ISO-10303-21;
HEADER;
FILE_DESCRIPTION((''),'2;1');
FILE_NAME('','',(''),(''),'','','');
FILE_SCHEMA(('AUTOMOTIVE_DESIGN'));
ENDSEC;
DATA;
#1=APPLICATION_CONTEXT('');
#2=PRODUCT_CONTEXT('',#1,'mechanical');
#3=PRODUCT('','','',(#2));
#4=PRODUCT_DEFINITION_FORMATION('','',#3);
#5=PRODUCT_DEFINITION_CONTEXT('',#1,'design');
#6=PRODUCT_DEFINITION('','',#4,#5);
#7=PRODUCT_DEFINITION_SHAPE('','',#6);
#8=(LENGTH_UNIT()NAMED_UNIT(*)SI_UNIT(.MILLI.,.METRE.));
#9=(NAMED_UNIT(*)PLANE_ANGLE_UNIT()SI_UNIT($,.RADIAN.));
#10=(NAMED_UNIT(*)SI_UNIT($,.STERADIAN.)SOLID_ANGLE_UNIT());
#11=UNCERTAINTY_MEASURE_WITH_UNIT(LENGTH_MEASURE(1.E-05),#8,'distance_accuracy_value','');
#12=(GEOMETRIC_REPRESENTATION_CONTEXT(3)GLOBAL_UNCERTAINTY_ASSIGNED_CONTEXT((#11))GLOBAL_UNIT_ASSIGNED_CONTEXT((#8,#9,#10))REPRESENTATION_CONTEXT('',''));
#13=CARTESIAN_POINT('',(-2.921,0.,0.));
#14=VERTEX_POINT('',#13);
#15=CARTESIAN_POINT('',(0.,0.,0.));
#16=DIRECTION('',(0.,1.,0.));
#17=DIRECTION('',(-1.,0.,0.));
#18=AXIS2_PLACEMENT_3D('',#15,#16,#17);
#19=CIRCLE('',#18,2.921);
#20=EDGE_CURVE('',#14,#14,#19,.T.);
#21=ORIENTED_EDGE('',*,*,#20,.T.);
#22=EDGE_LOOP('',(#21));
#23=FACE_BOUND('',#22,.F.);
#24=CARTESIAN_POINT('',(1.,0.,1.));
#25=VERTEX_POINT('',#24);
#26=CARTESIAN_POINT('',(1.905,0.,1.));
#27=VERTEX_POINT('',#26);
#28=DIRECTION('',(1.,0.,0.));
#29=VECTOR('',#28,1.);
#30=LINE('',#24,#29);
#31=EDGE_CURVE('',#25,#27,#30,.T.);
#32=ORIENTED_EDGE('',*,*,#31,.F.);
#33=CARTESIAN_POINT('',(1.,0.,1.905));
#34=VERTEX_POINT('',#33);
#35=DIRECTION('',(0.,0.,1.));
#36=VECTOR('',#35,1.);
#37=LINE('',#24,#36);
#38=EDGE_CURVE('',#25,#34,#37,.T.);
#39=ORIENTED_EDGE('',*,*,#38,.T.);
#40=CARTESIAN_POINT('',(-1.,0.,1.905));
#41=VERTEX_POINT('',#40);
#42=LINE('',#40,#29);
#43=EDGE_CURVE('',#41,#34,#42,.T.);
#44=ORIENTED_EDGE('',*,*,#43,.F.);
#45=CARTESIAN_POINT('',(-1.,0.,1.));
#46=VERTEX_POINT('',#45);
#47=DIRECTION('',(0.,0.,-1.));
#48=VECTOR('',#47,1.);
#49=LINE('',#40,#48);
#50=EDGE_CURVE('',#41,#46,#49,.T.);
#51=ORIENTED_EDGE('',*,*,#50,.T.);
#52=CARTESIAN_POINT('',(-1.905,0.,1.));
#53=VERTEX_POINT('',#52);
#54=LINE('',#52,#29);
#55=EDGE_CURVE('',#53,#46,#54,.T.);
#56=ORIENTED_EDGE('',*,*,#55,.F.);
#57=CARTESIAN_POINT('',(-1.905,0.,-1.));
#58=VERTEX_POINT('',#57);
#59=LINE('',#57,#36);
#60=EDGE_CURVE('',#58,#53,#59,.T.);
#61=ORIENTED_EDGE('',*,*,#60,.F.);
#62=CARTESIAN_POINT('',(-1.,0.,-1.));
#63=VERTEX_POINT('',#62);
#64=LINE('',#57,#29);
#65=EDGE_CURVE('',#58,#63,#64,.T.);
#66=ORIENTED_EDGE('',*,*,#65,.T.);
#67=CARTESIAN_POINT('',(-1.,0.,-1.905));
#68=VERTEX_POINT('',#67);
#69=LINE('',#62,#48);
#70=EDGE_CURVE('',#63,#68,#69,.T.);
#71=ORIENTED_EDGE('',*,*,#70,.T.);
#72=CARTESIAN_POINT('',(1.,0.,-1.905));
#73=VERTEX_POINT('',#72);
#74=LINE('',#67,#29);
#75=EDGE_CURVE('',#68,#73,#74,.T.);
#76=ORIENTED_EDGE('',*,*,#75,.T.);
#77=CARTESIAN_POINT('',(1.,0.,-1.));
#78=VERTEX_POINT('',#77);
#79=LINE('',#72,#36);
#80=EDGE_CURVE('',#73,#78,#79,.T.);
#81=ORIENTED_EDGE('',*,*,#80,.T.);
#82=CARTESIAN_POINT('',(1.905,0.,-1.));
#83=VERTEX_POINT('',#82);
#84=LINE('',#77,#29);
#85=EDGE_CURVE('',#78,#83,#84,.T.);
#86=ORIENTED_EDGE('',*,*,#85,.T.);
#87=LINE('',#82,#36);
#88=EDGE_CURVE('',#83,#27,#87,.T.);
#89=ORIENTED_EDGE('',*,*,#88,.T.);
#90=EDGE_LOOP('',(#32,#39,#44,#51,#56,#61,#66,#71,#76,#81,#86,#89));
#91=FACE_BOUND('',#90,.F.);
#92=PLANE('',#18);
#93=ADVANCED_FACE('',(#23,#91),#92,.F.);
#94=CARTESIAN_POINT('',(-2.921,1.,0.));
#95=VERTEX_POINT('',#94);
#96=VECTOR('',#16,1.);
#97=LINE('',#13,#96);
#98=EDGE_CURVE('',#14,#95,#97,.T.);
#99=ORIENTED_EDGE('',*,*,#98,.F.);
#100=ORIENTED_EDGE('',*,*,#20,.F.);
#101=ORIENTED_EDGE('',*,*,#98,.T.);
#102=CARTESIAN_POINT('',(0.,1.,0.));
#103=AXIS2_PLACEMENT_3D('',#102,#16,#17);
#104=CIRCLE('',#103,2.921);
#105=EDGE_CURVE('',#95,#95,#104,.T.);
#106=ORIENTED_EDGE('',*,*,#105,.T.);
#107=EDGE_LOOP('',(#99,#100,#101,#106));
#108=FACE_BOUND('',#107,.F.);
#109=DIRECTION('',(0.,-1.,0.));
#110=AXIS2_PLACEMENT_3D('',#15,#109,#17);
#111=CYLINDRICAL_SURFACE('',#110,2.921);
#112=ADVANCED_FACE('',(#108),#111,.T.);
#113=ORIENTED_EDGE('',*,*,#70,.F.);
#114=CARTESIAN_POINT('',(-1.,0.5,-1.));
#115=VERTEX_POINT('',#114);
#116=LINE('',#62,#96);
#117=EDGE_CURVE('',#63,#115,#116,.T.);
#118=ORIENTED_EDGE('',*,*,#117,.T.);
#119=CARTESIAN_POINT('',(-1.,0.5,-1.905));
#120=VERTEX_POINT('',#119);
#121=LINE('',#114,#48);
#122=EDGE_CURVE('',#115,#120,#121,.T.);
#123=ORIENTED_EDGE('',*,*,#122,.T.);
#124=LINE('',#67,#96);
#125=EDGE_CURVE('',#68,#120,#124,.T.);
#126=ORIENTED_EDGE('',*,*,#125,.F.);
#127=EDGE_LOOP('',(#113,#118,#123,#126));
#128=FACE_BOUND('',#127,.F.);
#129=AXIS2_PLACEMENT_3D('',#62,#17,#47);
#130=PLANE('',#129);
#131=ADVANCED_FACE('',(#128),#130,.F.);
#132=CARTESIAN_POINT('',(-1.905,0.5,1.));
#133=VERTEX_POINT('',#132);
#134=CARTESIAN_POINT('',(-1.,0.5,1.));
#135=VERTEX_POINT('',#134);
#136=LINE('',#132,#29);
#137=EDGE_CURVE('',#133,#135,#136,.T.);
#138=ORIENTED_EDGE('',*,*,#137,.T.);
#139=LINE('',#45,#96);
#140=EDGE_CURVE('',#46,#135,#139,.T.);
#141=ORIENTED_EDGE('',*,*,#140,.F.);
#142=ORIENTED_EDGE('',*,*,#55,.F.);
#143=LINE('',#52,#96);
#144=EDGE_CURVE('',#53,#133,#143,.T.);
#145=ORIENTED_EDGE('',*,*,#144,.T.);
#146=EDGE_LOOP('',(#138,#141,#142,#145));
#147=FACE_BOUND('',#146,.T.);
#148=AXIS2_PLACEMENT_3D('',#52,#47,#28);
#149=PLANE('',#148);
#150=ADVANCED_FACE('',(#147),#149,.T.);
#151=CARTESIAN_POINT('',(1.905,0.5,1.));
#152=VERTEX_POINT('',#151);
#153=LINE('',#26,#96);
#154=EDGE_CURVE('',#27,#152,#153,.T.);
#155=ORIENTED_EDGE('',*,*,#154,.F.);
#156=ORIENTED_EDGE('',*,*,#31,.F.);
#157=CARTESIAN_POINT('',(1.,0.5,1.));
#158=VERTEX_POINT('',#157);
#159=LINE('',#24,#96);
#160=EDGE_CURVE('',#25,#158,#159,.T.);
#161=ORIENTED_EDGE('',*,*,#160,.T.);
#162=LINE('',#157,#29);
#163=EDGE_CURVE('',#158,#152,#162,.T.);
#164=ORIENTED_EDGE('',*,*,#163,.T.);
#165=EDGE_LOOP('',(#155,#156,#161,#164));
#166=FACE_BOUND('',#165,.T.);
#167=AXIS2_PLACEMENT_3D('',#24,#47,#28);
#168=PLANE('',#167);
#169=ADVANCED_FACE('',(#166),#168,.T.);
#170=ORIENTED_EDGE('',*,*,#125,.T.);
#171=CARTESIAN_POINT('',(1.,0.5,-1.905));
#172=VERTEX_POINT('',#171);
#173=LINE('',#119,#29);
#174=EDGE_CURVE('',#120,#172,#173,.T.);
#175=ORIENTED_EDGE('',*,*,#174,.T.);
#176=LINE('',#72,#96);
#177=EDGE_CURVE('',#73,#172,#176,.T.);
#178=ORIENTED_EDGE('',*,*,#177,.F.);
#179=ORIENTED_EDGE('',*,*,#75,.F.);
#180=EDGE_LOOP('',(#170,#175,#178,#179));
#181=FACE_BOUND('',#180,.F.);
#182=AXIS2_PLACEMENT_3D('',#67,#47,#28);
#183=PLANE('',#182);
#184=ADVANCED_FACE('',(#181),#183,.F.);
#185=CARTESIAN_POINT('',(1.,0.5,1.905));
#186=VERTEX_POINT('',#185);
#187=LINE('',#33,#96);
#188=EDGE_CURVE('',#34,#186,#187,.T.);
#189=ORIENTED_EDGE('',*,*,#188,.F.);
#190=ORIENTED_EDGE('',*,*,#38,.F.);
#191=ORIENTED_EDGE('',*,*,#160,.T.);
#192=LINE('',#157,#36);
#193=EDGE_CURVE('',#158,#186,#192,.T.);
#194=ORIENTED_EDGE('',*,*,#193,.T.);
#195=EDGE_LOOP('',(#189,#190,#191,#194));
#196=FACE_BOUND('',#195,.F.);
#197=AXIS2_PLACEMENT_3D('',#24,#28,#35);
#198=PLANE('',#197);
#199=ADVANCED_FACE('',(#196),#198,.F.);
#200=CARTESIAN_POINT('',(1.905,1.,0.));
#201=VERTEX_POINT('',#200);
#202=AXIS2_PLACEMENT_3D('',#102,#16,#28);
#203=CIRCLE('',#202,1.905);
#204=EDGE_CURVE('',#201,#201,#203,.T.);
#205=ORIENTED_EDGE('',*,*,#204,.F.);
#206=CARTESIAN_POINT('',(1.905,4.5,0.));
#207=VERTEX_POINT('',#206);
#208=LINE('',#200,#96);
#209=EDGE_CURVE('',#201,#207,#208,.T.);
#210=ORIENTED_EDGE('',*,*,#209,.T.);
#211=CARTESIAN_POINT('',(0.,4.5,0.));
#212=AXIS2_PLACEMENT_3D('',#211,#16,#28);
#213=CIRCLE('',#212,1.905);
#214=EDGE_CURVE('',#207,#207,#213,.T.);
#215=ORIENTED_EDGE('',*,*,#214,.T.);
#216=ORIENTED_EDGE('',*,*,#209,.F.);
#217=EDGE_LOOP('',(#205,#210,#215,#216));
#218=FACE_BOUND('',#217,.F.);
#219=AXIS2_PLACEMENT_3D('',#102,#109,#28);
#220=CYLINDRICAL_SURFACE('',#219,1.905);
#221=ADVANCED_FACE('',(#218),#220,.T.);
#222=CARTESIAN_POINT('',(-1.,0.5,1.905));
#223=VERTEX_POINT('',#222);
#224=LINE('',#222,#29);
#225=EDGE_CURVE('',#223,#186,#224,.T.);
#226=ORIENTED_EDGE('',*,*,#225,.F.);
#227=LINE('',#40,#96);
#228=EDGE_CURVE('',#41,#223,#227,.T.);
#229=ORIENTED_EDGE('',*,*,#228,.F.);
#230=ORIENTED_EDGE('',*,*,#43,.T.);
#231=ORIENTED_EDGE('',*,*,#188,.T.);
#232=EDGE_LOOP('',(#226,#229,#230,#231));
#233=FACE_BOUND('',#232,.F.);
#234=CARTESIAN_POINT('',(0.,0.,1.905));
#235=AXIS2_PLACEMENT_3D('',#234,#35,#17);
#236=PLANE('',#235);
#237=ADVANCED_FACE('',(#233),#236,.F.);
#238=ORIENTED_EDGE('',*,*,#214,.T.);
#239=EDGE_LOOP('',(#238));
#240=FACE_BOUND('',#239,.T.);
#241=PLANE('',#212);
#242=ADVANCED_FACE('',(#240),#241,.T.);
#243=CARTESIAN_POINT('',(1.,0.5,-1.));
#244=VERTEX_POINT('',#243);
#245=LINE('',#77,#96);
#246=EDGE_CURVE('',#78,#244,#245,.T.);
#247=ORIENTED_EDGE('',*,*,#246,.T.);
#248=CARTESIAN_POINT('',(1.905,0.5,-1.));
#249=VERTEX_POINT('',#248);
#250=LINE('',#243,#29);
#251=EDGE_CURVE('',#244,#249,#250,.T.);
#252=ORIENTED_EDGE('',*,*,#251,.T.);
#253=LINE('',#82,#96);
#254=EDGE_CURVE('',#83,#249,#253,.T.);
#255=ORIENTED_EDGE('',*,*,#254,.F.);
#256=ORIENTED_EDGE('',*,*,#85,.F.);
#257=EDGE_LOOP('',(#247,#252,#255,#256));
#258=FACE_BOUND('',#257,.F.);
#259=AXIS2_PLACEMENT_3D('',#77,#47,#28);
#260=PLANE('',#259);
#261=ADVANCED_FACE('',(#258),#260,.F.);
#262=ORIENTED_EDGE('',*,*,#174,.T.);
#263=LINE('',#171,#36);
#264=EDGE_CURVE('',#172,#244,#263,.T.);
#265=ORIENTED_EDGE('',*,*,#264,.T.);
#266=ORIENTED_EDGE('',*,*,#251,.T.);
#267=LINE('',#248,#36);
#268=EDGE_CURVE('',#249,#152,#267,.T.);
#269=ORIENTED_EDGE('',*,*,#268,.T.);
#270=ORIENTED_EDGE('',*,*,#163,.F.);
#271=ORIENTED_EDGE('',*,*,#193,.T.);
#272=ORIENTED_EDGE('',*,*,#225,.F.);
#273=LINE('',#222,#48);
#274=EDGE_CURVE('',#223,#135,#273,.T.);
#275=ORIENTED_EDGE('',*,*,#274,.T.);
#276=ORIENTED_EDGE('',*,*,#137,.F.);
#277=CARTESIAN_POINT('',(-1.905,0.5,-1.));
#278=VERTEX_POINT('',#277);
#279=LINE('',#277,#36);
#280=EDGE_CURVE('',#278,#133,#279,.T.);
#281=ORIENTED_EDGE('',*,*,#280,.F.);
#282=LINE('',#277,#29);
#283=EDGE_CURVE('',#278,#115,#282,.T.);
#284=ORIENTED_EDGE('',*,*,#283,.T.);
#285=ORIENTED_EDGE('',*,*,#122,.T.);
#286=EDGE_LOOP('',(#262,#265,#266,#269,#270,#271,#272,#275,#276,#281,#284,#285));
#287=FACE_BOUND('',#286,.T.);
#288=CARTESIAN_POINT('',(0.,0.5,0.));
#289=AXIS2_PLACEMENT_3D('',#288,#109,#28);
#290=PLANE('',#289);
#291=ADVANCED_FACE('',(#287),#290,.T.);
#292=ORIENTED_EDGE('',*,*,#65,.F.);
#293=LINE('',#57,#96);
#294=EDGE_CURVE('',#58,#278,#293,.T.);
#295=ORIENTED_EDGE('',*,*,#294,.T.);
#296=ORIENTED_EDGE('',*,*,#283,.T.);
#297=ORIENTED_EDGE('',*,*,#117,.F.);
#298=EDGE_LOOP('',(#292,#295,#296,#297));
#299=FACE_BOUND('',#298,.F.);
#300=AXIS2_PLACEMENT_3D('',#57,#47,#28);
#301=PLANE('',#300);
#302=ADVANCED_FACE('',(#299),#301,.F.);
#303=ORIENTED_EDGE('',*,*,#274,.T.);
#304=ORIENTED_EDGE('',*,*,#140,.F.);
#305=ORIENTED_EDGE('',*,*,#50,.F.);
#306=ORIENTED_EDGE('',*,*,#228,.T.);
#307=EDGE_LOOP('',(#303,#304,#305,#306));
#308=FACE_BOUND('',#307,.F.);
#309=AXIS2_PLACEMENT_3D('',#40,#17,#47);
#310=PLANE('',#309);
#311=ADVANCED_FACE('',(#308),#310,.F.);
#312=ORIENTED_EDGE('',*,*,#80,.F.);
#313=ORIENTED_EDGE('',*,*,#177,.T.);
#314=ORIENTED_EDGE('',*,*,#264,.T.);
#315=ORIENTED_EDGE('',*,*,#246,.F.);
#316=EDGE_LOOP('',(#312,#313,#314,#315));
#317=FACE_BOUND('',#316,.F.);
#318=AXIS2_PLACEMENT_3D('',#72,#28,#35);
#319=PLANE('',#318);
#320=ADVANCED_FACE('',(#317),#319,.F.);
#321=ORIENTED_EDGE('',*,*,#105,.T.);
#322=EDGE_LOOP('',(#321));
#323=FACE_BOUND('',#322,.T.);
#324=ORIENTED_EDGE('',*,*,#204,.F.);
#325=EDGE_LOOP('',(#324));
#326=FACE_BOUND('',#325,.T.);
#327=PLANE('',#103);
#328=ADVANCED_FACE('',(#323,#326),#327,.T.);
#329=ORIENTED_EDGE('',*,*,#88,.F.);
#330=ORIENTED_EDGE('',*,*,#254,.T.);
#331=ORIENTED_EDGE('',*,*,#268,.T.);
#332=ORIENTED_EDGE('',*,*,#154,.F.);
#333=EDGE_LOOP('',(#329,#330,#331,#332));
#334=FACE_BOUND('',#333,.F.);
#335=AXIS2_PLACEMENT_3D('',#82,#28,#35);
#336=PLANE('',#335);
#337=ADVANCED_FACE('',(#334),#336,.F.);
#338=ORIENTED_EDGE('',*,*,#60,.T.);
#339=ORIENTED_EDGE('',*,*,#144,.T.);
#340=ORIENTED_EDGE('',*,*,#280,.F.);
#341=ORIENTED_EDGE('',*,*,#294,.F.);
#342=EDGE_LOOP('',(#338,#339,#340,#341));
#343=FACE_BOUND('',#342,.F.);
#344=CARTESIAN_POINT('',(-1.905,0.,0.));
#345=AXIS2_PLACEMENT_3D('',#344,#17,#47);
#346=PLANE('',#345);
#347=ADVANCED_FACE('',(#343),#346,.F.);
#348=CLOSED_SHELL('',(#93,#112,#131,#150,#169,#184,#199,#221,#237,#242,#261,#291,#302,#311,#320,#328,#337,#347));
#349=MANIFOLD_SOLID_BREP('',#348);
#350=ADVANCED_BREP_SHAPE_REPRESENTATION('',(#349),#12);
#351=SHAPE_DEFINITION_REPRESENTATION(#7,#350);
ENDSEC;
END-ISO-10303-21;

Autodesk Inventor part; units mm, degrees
ref_plane "YZ Plane" through (0, 0, 0) normal (1, 0, 0) x (0, 1, 0)
ref_plane "XZ Plane" through (0, 0, 0) normal (0, 1, 0) x (-1, 0, 0)
ref_plane "XY Plane" through (0, 0, 0) normal (0, 0, 1) x (1, 0, 0)
sketch "Sketch1" plane through (0, 0, 0) normal (0, 1, 0) x (-1, 0, 0)
  circle A0 centre (0, 0) radius 2.921
  dimension "d0" = 5.842
extrude "Extrusion1" add sketch "Sketch1" along normal blind 1
sketch "Sketch2" plane through (0, 1, 0) normal (0, 1, 0) x (1, 0, 0)
  circle A0 centre (0, 0) radius 1.905
  dimension "d3" = 3.81
extrude "Extrusion2" add sketch "Sketch2" along normal blind 3.5
sketch "Sketch3" plane through (0, 0, 0) normal (0, -1, 0) x (1, 0, 0)
  line L0 (0, 1.905) -> (-1, 1.905)
  line L1 (-1, -1.905) -> (1, -1.905)
  line L2 (1, 1.905) -> (0, 1.905)
  line L3 (-1.905, 0) -> (-1.905, -1)
  line L4 (1.905, -1) -> (1.905, 1)
  line L5 (-1.905, 0) -> (-1.905, 1)
  line L6 (-1.905, 1) -> (-1, 1)
  line L7 (1, 1) -> (1.905, 1)
  line L8 (1, -1.905) -> (1, -1)
  line L9 (1, 1) -> (1, 1.905)
  line L10 (-1.905, -1) -> (-1, -1)
  line L11 (1, -1) -> (1.905, -1)
  line L12 (-1, 1.905) -> (-1, 1)
  line L13 (-1, -1) -> (-1, -1.905)
  point P0 (0, 0)
  dimension "d7" = 1
  dimension "d8" = 3.81
  dimension "d9" = 2
  dimension "d10" = 3.81
  dimension "d11" = 1
  dimension "d12" = 3.81
  dimension "d13" = 2
  dimension "d15" = 1
extrude "Extrusion3" cut sketch "Sketch3" against normal blind 0.5
properties part number "armscrew" material "Iron, Gray"
